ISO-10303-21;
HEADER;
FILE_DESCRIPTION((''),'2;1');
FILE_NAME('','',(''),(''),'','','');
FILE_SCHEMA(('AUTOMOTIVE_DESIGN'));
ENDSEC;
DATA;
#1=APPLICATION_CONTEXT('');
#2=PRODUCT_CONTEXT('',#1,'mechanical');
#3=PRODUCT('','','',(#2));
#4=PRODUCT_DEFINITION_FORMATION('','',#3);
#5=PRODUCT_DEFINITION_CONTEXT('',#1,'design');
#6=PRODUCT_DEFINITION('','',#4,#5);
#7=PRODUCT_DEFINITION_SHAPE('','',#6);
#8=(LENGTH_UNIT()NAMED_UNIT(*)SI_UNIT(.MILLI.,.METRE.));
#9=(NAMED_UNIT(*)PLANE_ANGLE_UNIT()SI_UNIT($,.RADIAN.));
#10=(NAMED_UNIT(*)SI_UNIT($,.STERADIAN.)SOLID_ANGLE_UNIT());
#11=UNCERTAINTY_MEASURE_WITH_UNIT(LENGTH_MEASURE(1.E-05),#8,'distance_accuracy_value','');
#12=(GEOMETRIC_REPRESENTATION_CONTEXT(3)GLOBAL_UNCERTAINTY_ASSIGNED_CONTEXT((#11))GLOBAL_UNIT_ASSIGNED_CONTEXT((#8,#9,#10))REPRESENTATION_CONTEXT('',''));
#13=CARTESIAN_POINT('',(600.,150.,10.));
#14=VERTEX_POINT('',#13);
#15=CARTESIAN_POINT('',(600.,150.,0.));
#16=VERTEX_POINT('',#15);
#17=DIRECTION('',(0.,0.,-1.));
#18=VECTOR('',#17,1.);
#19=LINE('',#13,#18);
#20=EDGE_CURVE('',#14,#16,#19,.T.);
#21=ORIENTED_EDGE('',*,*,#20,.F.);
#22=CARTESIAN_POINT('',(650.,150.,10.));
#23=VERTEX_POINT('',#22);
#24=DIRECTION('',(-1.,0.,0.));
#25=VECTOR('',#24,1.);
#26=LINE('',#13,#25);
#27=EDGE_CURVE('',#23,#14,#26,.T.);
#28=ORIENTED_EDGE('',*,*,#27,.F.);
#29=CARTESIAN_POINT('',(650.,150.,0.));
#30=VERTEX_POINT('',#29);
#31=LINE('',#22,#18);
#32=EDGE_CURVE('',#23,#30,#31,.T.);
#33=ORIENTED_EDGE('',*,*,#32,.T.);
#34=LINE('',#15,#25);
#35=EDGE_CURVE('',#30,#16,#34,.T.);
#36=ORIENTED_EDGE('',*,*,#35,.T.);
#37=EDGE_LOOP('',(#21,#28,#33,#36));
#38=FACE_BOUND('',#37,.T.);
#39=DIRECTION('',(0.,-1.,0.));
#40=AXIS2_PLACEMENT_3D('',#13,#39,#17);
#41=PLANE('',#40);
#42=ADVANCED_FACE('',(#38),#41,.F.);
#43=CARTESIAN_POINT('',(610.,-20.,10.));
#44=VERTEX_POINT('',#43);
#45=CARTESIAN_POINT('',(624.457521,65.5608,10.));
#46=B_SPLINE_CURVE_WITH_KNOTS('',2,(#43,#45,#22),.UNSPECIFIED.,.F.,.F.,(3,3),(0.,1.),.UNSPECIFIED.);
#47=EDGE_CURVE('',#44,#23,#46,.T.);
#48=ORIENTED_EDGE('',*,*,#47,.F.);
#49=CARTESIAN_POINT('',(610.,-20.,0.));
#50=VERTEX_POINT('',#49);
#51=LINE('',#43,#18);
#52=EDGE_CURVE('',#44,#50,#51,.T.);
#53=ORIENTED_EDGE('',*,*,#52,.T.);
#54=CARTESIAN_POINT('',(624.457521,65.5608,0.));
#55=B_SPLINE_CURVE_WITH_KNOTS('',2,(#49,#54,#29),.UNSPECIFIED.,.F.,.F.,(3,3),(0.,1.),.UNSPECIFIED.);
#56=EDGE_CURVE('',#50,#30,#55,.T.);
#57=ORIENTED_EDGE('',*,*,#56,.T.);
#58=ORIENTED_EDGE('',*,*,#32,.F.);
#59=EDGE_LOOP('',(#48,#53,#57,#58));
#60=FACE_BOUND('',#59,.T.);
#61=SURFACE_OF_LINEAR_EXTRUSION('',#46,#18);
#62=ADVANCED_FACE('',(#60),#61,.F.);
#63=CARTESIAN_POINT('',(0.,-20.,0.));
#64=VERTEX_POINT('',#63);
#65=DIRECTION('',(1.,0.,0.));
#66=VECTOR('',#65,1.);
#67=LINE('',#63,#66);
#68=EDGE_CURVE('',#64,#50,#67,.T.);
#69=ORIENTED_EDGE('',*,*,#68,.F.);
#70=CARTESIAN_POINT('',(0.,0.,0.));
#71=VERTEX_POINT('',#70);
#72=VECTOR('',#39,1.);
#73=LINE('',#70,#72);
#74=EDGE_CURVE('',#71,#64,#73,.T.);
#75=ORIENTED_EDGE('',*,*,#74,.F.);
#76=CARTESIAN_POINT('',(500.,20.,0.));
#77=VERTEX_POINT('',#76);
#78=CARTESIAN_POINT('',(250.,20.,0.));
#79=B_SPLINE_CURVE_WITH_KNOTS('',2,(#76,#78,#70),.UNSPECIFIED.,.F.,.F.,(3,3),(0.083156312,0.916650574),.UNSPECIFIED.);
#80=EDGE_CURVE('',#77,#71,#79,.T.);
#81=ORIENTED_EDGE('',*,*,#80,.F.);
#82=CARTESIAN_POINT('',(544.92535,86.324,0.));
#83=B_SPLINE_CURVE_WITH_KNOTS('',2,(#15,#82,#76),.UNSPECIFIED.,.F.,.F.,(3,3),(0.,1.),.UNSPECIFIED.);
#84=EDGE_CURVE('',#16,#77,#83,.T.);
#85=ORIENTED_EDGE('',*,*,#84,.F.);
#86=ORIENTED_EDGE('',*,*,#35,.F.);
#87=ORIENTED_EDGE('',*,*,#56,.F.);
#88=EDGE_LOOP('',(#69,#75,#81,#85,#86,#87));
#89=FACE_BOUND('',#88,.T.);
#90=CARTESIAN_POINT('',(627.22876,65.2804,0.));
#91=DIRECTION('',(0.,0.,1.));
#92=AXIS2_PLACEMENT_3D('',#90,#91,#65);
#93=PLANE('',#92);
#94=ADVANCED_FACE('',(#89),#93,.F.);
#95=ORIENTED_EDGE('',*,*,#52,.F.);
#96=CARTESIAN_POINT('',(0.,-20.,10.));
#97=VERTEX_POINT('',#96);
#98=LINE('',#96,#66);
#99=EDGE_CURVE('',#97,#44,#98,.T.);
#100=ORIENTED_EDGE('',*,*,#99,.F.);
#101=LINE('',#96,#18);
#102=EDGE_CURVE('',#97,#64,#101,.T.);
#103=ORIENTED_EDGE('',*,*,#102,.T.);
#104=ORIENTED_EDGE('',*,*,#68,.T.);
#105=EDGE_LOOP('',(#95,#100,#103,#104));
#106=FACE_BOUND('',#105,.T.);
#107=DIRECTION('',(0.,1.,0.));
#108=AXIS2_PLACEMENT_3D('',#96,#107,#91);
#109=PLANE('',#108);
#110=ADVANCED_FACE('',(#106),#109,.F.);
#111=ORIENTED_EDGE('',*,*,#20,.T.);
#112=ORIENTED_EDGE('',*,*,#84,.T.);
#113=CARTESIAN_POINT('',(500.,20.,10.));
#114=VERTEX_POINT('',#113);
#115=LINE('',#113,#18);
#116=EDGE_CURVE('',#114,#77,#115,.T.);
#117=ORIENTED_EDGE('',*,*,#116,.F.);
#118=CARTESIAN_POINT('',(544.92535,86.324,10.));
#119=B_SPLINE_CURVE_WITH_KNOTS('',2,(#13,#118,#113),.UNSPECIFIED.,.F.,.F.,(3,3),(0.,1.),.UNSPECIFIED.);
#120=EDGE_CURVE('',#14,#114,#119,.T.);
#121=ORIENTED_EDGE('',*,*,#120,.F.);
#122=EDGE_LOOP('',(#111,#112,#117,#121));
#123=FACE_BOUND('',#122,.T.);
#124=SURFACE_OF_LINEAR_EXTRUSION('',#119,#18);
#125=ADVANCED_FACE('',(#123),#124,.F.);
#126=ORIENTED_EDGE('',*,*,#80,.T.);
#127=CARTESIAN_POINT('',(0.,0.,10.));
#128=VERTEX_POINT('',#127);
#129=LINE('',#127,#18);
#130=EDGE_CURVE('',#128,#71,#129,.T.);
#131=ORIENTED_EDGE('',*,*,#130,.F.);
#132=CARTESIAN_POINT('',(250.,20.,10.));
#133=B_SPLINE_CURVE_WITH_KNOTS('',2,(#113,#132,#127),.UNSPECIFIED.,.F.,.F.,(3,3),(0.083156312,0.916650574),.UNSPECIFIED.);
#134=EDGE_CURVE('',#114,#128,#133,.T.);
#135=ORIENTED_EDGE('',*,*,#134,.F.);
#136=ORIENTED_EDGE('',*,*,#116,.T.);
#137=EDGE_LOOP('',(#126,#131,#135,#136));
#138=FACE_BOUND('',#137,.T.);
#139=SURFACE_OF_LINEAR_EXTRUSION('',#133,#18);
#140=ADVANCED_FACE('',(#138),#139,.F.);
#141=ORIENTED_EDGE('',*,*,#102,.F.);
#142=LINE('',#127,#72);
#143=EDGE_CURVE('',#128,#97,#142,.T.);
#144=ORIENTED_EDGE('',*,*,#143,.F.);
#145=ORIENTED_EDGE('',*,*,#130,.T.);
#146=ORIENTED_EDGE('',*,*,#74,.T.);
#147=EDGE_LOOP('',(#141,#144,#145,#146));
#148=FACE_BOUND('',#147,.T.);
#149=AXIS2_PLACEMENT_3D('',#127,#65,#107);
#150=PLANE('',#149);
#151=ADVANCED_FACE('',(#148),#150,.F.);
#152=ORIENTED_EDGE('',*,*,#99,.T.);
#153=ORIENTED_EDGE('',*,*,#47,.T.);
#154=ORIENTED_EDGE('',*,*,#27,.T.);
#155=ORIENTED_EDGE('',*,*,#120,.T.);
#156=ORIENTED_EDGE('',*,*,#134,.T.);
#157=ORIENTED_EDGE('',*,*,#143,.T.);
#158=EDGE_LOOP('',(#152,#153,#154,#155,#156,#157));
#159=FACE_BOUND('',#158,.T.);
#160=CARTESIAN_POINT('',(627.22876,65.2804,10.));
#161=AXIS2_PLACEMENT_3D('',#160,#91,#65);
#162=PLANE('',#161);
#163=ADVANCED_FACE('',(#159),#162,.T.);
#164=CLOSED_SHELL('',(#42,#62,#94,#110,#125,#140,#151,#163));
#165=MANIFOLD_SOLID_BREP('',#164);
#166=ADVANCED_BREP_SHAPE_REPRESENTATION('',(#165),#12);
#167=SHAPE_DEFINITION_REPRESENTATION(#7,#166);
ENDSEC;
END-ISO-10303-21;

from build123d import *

# Parameters (mm, degrees)
BOSS_EXTRUDE1_DEPTH = 10


with BuildPart() as part:
    # Sketch1 → Boss-Extrude1 (new body)
    with BuildSketch(Plane.XY):
        with BuildLine():
            Line((0, 0), (0, -20))
            Line((0, -20), (610, -20))
            add(Edge.make_bspline(
                [(610, -20), (624.457520828, 65.560799572), (650, 150)],
                knots=[0, 0, 0, 1, 1, 1], degree=2))
            Line((650, 150), (600, 150))
            add(Edge.make_bspline(
                [(600, 150), (544.925349806, 86.324000125), (500, 20.000000001)],
                knots=[0, 0, 0, 1, 1, 1], degree=2))
            add(Edge.make_bspline(
                [(0, 0), (250, 20), (500, 20.000000001)],
                knots=[0.083156312, 0.083156312, 0.083156312, 0.916650574, 0.916650574, 0.916650574], degree=2))
        make_face()
    extrude(amount=BOSS_EXTRUDE1_DEPTH)


solid = part.part
